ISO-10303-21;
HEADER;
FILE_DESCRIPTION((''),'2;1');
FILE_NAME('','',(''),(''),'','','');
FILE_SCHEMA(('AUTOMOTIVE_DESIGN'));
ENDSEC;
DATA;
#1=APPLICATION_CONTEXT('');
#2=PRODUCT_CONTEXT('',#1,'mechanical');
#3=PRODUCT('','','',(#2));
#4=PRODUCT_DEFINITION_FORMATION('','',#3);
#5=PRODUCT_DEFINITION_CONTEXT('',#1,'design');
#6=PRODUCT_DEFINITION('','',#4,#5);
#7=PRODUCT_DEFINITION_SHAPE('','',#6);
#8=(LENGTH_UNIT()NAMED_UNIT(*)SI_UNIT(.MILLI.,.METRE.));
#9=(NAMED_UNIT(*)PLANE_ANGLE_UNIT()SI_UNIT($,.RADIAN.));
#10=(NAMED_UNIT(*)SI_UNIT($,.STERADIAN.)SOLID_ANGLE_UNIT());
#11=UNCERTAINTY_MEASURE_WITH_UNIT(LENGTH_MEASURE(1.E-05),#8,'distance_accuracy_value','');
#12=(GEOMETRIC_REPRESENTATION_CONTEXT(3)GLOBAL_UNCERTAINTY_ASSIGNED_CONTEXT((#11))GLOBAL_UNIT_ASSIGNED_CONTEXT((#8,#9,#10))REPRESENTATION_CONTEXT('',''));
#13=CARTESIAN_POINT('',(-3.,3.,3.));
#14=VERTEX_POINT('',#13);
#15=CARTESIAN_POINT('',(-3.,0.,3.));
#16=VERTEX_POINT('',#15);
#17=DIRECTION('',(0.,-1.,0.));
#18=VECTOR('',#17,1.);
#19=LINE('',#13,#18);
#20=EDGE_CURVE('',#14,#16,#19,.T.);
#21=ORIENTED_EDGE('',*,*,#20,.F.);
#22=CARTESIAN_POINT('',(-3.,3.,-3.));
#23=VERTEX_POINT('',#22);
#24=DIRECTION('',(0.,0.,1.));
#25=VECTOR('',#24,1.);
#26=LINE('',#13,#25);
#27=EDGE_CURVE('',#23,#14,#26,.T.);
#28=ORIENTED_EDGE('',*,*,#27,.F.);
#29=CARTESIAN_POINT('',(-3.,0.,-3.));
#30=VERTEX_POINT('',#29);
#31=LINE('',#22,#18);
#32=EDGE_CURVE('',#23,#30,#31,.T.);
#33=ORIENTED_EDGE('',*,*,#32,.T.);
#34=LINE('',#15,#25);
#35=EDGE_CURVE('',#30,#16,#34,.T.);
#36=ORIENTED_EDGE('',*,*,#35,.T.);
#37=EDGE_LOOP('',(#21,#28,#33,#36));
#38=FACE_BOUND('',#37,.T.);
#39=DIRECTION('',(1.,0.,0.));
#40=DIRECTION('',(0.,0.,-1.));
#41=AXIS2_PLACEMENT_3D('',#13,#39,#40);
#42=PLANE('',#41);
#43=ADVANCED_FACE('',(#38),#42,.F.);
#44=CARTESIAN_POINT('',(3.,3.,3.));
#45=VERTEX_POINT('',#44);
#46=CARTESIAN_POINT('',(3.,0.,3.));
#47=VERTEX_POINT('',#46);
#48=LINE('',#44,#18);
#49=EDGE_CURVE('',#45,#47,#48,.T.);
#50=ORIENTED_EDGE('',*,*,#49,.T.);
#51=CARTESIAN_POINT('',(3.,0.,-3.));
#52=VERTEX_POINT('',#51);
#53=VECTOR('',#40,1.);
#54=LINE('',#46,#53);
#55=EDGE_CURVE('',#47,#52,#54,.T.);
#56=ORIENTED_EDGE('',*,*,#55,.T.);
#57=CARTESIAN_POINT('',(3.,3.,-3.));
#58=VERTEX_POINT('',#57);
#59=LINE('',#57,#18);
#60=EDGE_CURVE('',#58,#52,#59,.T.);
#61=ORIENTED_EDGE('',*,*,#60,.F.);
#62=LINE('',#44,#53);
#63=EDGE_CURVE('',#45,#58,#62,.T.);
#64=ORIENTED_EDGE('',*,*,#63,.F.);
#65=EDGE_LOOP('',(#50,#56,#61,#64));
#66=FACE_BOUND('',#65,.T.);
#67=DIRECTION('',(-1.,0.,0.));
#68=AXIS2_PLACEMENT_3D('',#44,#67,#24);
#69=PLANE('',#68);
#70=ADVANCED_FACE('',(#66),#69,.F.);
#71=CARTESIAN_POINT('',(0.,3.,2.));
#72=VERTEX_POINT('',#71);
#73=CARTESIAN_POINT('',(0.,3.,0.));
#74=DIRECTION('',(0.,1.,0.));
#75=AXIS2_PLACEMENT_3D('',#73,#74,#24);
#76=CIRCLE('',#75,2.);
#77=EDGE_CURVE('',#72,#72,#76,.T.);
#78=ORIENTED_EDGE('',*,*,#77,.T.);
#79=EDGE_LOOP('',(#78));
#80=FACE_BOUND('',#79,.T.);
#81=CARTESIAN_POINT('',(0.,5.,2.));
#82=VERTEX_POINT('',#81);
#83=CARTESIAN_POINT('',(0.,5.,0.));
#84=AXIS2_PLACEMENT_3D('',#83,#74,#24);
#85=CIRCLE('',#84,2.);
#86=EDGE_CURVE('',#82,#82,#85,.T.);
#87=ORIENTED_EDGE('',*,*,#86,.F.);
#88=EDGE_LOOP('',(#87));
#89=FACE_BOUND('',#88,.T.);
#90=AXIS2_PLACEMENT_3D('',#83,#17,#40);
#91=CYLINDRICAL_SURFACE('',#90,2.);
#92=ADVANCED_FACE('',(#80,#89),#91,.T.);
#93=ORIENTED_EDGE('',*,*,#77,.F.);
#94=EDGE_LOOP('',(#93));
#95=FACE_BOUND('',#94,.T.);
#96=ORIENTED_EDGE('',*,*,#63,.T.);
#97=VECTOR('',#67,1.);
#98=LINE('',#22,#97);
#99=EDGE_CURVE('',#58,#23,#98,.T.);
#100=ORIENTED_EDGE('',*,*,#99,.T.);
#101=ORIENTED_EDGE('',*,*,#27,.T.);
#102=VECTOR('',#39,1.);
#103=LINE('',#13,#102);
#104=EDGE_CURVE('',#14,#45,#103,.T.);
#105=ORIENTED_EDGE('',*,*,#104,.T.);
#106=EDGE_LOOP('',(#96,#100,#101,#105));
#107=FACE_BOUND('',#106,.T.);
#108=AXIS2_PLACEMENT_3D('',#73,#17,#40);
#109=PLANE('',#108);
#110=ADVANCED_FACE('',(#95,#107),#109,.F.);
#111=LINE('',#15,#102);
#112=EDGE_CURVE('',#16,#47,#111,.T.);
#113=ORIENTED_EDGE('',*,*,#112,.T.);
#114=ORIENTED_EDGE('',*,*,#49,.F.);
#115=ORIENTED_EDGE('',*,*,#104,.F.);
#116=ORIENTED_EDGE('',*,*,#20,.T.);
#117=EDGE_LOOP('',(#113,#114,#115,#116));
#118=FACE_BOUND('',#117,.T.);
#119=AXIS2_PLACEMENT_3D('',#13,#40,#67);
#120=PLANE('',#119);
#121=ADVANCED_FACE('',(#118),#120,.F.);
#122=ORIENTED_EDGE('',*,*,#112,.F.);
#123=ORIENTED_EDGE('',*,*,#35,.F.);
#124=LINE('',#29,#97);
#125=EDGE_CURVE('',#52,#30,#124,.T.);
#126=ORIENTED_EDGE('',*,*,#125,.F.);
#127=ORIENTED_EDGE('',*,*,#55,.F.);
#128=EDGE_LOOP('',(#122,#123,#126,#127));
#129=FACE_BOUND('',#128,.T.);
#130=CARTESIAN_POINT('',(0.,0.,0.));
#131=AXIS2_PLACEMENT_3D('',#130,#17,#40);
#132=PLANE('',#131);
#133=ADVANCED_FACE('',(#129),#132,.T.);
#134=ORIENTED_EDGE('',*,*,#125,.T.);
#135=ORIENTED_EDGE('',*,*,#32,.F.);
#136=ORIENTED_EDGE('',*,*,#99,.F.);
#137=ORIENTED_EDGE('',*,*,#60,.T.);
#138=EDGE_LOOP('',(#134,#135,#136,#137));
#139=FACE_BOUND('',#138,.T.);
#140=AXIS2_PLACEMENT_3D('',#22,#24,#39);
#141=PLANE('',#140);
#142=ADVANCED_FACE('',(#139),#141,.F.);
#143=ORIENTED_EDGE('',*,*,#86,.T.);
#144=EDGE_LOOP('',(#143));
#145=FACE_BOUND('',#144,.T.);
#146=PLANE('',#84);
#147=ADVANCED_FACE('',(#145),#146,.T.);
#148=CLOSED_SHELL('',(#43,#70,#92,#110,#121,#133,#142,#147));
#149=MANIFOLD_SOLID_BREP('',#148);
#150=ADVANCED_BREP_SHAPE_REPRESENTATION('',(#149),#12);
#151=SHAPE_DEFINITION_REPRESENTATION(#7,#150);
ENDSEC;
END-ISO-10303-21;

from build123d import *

# Parameters (mm, degrees)
SKETCH1_W           = 6
SKETCH1_H           = 6
BOSS_EXTRUDE1_DEPTH = 3
SKETCH2_R           = 2
BOSS_EXTRUDE2_DEPTH = 2


with BuildPart() as part:
    # Sketch1 → Boss-Extrude1 (new body)
    with BuildSketch(Plane(origin=(0, 0, 0), x_dir=(1, 0, 0), z_dir=(0, 1, 0))):
        Rectangle(SKETCH1_W, SKETCH1_H)
    extrude(amount=BOSS_EXTRUDE1_DEPTH)

    # Sketch2 → Boss-Extrude2 (add)
    with BuildSketch(Plane(origin=(0, 3, 0), x_dir=(1, 0, 0), z_dir=(0, 1, 0))):
        Circle(SKETCH2_R)
    extrude(amount=BOSS_EXTRUDE2_DEPTH)


solid = part.part
